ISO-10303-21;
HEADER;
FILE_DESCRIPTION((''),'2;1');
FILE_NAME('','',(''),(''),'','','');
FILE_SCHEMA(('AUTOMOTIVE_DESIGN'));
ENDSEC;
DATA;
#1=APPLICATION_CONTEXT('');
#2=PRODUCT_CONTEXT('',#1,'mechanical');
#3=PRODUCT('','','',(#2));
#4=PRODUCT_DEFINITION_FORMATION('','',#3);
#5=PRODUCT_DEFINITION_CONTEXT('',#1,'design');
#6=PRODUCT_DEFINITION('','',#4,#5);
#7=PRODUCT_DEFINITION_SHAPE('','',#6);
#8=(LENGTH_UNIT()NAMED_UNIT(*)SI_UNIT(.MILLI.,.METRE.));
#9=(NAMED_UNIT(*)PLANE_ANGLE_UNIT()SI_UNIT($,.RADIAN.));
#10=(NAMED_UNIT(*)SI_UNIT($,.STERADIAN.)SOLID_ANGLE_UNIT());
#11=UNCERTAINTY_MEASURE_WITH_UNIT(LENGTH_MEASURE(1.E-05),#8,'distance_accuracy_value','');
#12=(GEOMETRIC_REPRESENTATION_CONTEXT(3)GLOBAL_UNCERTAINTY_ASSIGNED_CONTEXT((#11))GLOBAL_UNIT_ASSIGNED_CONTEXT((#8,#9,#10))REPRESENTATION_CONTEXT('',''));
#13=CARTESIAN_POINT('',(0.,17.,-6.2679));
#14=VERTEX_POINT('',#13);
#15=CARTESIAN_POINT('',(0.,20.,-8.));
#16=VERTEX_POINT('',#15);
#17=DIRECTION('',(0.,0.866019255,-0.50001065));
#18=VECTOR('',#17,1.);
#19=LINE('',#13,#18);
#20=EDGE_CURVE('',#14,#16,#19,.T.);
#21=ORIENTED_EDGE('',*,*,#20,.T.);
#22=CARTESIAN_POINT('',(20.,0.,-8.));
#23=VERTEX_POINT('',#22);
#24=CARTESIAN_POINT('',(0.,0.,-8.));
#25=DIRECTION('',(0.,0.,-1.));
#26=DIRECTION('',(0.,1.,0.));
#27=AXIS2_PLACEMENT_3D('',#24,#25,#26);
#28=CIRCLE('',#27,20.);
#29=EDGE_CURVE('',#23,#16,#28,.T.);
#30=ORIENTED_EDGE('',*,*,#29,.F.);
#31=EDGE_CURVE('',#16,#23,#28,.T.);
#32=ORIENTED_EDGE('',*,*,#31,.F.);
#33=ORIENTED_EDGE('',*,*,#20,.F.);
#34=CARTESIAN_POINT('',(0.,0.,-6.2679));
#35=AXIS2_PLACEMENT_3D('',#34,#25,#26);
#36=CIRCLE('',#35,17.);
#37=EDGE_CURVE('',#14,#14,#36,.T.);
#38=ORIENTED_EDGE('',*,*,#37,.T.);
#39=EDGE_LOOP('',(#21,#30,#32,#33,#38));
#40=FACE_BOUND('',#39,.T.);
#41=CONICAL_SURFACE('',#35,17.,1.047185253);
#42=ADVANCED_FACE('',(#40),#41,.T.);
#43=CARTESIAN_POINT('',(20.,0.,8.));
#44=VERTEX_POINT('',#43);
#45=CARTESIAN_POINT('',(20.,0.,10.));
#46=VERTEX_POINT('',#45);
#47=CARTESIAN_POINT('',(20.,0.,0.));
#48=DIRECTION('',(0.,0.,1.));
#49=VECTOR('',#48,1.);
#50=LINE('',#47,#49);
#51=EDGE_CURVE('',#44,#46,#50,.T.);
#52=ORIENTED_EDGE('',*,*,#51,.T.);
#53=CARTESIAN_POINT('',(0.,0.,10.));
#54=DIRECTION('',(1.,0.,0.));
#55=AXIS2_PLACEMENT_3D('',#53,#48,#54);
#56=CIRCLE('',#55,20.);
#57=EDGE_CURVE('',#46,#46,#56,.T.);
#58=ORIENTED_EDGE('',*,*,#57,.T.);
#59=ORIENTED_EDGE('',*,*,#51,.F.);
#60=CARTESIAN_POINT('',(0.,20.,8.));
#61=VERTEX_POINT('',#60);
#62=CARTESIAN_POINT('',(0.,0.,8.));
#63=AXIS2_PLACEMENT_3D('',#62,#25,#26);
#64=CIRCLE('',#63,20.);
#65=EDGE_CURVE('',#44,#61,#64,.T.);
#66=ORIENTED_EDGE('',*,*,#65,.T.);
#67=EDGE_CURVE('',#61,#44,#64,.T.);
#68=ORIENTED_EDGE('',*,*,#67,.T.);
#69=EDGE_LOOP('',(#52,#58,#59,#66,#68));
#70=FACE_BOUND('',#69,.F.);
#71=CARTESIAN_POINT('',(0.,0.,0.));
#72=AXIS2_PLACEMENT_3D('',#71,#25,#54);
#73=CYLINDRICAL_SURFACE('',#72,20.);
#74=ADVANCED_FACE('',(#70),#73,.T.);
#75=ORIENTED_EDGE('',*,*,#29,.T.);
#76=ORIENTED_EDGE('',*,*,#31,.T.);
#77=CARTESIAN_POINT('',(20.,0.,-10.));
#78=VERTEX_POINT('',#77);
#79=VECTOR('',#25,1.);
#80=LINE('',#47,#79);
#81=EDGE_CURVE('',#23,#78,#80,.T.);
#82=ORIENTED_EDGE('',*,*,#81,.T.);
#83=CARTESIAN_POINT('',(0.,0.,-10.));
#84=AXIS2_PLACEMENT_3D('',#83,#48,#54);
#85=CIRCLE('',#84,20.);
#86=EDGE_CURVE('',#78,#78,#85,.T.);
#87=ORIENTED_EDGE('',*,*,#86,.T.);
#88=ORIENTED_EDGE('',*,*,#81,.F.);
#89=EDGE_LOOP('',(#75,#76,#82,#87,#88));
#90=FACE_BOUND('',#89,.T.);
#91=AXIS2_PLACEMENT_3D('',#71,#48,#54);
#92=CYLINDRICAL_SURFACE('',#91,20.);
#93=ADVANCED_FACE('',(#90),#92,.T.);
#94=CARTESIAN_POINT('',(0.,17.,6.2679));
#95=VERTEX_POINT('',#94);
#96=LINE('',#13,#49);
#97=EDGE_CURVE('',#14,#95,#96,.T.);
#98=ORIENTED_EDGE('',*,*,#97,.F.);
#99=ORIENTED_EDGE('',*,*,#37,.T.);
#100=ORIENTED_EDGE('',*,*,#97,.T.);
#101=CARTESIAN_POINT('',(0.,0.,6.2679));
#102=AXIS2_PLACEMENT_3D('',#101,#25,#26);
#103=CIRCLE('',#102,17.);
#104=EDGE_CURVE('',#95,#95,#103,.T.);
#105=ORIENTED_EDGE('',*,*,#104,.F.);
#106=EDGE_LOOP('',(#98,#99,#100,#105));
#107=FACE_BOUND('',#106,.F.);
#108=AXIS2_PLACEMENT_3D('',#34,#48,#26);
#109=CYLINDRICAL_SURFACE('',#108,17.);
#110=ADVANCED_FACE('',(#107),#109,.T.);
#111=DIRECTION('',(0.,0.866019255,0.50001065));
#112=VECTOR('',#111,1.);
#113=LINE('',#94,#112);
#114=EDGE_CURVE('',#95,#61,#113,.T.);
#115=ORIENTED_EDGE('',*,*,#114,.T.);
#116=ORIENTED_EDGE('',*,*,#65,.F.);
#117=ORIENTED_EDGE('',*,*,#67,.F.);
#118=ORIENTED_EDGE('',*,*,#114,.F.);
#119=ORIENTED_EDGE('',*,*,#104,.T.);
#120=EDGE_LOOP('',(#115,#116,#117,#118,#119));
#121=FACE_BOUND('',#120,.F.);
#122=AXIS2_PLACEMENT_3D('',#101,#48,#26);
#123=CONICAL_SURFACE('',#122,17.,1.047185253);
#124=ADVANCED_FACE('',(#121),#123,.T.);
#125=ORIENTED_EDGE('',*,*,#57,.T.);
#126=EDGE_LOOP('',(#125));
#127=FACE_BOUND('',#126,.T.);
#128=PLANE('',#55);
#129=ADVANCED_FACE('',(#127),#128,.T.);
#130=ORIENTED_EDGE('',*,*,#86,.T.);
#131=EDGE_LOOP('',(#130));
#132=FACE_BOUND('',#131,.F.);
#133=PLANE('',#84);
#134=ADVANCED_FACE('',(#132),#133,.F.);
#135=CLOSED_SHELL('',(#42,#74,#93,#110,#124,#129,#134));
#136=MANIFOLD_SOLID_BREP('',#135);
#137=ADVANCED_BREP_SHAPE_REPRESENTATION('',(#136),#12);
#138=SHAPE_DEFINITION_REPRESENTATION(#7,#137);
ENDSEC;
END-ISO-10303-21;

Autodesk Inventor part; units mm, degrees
ref_plane "YZ Plane" through (0, 0, 0) normal (1, 0, 0) x (0, 1, 0)
ref_plane "XZ Plane" through (0, 0, 0) normal (0, 1, 0) x (-1, 0, 0)
ref_plane "XY Plane" through (0, 0, 0) normal (0, 0, 1) x (1, 0, 0)
sketch "Skizze1" plane through (0, 0, 0) normal (0, 0, 1) x (1, 0, 0)
  circle A0 centre (0, 0) radius 20
  dimension "d0" = 40
extrude "Extrusion1" add sketch "Skizze1" along normal mid plane 20
sketch "Skizze2" plane through (0, 0, 0) normal (1, 0, 0) x (0, 1, 0)
  line L0 (20, -10) -> (20, 10) projected
  line L1 (20, 8) -> (20, -8)
  line L2 (17, -6.2679) -> (17, 6.2679)
  line L3 (17, 6.2679) -> (20, 8)
  line L4 (17, -6.2679) -> (20, -8)
  line L5 (20, 10) -> (-20, 10) projected
  line L6 (0, 17.0847) -> (0, -27.9432) construction
  point P0 (0, 0)
  dimension "d3" = 3
  dimension "d4" = 2
  dimension "d5" = 2
  dimension "d6" = 60
  dimension "d7" = 60
revolve "Umdrehung1" cut sketch "Skizze2" angle 360 about axis through (0, 0, 17.0847) along (0, 0, -1)
sketch "Skizze4" plane through (0, 0, 0) normal (1, 0, 0) x (0, 1, 0)
  point P0 (0, 0)
properties part number "Felge_V1"
